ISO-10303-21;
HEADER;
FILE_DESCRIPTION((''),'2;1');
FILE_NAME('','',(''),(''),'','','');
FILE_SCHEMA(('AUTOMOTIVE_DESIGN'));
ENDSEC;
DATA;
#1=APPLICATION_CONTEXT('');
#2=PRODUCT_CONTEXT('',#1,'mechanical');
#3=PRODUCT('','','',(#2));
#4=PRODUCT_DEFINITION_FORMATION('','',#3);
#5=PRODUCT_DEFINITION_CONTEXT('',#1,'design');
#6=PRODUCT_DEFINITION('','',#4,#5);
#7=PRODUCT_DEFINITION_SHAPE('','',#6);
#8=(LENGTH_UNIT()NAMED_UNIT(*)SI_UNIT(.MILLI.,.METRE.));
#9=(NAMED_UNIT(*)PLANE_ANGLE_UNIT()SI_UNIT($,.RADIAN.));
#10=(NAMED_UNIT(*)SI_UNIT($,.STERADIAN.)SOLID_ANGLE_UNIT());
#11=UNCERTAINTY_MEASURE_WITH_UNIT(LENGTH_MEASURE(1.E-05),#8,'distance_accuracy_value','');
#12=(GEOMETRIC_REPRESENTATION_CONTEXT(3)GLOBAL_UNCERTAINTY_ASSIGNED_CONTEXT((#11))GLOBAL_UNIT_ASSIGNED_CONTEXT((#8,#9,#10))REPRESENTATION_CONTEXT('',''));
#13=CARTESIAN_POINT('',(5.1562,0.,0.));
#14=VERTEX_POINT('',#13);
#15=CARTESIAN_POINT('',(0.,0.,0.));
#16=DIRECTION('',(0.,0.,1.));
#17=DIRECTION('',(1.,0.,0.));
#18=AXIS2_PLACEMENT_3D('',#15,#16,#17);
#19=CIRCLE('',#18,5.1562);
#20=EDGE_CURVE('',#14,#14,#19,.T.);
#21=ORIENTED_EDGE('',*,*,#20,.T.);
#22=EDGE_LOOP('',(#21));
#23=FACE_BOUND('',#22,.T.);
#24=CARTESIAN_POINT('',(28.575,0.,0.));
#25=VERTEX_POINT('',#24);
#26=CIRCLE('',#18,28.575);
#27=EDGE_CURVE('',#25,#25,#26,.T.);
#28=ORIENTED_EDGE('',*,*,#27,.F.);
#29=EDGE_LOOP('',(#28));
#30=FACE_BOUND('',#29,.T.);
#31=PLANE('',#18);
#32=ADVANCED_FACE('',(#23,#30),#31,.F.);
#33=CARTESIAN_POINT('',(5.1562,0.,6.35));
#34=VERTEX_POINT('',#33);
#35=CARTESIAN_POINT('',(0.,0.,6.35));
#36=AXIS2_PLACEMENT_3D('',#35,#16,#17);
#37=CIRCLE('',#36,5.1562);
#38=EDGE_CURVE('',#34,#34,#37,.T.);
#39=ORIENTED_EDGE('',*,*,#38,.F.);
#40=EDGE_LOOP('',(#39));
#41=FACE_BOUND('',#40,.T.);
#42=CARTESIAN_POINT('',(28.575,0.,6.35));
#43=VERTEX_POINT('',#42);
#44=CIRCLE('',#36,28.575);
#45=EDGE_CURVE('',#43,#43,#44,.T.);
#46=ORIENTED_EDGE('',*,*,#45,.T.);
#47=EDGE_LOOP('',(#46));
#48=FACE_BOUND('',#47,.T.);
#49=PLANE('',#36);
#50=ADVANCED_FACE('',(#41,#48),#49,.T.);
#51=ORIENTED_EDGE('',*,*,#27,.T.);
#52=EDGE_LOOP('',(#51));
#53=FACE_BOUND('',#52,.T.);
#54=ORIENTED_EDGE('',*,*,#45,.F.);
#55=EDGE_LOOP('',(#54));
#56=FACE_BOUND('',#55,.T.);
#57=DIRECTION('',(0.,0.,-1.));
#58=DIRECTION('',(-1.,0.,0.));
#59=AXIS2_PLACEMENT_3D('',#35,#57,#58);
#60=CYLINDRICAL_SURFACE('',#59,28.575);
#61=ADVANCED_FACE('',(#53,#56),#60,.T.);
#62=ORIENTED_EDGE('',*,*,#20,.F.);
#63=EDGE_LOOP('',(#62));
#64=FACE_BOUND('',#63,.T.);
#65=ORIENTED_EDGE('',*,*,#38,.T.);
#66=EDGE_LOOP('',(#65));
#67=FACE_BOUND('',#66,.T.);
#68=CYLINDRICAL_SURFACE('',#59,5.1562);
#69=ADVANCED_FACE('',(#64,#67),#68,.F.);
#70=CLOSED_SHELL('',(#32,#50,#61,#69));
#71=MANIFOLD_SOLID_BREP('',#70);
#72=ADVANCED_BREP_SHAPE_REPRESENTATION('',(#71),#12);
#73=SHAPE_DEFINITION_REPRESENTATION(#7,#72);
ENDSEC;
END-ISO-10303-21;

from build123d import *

# Parameters (mm, degrees)
SKETCH1_R      = 28.575
SKETCH1_R_2    = 5.1562
EXTRUDE1_DEPTH = 6.35


with BuildPart() as part:
    # Sketch1 → Extrude1 (new body)
    with BuildSketch(Plane.XY):
        Circle(SKETCH1_R)
        Circle(SKETCH1_R_2, mode=Mode.SUBTRACT)
    extrude(amount=EXTRUDE1_DEPTH)


solid = part.part
